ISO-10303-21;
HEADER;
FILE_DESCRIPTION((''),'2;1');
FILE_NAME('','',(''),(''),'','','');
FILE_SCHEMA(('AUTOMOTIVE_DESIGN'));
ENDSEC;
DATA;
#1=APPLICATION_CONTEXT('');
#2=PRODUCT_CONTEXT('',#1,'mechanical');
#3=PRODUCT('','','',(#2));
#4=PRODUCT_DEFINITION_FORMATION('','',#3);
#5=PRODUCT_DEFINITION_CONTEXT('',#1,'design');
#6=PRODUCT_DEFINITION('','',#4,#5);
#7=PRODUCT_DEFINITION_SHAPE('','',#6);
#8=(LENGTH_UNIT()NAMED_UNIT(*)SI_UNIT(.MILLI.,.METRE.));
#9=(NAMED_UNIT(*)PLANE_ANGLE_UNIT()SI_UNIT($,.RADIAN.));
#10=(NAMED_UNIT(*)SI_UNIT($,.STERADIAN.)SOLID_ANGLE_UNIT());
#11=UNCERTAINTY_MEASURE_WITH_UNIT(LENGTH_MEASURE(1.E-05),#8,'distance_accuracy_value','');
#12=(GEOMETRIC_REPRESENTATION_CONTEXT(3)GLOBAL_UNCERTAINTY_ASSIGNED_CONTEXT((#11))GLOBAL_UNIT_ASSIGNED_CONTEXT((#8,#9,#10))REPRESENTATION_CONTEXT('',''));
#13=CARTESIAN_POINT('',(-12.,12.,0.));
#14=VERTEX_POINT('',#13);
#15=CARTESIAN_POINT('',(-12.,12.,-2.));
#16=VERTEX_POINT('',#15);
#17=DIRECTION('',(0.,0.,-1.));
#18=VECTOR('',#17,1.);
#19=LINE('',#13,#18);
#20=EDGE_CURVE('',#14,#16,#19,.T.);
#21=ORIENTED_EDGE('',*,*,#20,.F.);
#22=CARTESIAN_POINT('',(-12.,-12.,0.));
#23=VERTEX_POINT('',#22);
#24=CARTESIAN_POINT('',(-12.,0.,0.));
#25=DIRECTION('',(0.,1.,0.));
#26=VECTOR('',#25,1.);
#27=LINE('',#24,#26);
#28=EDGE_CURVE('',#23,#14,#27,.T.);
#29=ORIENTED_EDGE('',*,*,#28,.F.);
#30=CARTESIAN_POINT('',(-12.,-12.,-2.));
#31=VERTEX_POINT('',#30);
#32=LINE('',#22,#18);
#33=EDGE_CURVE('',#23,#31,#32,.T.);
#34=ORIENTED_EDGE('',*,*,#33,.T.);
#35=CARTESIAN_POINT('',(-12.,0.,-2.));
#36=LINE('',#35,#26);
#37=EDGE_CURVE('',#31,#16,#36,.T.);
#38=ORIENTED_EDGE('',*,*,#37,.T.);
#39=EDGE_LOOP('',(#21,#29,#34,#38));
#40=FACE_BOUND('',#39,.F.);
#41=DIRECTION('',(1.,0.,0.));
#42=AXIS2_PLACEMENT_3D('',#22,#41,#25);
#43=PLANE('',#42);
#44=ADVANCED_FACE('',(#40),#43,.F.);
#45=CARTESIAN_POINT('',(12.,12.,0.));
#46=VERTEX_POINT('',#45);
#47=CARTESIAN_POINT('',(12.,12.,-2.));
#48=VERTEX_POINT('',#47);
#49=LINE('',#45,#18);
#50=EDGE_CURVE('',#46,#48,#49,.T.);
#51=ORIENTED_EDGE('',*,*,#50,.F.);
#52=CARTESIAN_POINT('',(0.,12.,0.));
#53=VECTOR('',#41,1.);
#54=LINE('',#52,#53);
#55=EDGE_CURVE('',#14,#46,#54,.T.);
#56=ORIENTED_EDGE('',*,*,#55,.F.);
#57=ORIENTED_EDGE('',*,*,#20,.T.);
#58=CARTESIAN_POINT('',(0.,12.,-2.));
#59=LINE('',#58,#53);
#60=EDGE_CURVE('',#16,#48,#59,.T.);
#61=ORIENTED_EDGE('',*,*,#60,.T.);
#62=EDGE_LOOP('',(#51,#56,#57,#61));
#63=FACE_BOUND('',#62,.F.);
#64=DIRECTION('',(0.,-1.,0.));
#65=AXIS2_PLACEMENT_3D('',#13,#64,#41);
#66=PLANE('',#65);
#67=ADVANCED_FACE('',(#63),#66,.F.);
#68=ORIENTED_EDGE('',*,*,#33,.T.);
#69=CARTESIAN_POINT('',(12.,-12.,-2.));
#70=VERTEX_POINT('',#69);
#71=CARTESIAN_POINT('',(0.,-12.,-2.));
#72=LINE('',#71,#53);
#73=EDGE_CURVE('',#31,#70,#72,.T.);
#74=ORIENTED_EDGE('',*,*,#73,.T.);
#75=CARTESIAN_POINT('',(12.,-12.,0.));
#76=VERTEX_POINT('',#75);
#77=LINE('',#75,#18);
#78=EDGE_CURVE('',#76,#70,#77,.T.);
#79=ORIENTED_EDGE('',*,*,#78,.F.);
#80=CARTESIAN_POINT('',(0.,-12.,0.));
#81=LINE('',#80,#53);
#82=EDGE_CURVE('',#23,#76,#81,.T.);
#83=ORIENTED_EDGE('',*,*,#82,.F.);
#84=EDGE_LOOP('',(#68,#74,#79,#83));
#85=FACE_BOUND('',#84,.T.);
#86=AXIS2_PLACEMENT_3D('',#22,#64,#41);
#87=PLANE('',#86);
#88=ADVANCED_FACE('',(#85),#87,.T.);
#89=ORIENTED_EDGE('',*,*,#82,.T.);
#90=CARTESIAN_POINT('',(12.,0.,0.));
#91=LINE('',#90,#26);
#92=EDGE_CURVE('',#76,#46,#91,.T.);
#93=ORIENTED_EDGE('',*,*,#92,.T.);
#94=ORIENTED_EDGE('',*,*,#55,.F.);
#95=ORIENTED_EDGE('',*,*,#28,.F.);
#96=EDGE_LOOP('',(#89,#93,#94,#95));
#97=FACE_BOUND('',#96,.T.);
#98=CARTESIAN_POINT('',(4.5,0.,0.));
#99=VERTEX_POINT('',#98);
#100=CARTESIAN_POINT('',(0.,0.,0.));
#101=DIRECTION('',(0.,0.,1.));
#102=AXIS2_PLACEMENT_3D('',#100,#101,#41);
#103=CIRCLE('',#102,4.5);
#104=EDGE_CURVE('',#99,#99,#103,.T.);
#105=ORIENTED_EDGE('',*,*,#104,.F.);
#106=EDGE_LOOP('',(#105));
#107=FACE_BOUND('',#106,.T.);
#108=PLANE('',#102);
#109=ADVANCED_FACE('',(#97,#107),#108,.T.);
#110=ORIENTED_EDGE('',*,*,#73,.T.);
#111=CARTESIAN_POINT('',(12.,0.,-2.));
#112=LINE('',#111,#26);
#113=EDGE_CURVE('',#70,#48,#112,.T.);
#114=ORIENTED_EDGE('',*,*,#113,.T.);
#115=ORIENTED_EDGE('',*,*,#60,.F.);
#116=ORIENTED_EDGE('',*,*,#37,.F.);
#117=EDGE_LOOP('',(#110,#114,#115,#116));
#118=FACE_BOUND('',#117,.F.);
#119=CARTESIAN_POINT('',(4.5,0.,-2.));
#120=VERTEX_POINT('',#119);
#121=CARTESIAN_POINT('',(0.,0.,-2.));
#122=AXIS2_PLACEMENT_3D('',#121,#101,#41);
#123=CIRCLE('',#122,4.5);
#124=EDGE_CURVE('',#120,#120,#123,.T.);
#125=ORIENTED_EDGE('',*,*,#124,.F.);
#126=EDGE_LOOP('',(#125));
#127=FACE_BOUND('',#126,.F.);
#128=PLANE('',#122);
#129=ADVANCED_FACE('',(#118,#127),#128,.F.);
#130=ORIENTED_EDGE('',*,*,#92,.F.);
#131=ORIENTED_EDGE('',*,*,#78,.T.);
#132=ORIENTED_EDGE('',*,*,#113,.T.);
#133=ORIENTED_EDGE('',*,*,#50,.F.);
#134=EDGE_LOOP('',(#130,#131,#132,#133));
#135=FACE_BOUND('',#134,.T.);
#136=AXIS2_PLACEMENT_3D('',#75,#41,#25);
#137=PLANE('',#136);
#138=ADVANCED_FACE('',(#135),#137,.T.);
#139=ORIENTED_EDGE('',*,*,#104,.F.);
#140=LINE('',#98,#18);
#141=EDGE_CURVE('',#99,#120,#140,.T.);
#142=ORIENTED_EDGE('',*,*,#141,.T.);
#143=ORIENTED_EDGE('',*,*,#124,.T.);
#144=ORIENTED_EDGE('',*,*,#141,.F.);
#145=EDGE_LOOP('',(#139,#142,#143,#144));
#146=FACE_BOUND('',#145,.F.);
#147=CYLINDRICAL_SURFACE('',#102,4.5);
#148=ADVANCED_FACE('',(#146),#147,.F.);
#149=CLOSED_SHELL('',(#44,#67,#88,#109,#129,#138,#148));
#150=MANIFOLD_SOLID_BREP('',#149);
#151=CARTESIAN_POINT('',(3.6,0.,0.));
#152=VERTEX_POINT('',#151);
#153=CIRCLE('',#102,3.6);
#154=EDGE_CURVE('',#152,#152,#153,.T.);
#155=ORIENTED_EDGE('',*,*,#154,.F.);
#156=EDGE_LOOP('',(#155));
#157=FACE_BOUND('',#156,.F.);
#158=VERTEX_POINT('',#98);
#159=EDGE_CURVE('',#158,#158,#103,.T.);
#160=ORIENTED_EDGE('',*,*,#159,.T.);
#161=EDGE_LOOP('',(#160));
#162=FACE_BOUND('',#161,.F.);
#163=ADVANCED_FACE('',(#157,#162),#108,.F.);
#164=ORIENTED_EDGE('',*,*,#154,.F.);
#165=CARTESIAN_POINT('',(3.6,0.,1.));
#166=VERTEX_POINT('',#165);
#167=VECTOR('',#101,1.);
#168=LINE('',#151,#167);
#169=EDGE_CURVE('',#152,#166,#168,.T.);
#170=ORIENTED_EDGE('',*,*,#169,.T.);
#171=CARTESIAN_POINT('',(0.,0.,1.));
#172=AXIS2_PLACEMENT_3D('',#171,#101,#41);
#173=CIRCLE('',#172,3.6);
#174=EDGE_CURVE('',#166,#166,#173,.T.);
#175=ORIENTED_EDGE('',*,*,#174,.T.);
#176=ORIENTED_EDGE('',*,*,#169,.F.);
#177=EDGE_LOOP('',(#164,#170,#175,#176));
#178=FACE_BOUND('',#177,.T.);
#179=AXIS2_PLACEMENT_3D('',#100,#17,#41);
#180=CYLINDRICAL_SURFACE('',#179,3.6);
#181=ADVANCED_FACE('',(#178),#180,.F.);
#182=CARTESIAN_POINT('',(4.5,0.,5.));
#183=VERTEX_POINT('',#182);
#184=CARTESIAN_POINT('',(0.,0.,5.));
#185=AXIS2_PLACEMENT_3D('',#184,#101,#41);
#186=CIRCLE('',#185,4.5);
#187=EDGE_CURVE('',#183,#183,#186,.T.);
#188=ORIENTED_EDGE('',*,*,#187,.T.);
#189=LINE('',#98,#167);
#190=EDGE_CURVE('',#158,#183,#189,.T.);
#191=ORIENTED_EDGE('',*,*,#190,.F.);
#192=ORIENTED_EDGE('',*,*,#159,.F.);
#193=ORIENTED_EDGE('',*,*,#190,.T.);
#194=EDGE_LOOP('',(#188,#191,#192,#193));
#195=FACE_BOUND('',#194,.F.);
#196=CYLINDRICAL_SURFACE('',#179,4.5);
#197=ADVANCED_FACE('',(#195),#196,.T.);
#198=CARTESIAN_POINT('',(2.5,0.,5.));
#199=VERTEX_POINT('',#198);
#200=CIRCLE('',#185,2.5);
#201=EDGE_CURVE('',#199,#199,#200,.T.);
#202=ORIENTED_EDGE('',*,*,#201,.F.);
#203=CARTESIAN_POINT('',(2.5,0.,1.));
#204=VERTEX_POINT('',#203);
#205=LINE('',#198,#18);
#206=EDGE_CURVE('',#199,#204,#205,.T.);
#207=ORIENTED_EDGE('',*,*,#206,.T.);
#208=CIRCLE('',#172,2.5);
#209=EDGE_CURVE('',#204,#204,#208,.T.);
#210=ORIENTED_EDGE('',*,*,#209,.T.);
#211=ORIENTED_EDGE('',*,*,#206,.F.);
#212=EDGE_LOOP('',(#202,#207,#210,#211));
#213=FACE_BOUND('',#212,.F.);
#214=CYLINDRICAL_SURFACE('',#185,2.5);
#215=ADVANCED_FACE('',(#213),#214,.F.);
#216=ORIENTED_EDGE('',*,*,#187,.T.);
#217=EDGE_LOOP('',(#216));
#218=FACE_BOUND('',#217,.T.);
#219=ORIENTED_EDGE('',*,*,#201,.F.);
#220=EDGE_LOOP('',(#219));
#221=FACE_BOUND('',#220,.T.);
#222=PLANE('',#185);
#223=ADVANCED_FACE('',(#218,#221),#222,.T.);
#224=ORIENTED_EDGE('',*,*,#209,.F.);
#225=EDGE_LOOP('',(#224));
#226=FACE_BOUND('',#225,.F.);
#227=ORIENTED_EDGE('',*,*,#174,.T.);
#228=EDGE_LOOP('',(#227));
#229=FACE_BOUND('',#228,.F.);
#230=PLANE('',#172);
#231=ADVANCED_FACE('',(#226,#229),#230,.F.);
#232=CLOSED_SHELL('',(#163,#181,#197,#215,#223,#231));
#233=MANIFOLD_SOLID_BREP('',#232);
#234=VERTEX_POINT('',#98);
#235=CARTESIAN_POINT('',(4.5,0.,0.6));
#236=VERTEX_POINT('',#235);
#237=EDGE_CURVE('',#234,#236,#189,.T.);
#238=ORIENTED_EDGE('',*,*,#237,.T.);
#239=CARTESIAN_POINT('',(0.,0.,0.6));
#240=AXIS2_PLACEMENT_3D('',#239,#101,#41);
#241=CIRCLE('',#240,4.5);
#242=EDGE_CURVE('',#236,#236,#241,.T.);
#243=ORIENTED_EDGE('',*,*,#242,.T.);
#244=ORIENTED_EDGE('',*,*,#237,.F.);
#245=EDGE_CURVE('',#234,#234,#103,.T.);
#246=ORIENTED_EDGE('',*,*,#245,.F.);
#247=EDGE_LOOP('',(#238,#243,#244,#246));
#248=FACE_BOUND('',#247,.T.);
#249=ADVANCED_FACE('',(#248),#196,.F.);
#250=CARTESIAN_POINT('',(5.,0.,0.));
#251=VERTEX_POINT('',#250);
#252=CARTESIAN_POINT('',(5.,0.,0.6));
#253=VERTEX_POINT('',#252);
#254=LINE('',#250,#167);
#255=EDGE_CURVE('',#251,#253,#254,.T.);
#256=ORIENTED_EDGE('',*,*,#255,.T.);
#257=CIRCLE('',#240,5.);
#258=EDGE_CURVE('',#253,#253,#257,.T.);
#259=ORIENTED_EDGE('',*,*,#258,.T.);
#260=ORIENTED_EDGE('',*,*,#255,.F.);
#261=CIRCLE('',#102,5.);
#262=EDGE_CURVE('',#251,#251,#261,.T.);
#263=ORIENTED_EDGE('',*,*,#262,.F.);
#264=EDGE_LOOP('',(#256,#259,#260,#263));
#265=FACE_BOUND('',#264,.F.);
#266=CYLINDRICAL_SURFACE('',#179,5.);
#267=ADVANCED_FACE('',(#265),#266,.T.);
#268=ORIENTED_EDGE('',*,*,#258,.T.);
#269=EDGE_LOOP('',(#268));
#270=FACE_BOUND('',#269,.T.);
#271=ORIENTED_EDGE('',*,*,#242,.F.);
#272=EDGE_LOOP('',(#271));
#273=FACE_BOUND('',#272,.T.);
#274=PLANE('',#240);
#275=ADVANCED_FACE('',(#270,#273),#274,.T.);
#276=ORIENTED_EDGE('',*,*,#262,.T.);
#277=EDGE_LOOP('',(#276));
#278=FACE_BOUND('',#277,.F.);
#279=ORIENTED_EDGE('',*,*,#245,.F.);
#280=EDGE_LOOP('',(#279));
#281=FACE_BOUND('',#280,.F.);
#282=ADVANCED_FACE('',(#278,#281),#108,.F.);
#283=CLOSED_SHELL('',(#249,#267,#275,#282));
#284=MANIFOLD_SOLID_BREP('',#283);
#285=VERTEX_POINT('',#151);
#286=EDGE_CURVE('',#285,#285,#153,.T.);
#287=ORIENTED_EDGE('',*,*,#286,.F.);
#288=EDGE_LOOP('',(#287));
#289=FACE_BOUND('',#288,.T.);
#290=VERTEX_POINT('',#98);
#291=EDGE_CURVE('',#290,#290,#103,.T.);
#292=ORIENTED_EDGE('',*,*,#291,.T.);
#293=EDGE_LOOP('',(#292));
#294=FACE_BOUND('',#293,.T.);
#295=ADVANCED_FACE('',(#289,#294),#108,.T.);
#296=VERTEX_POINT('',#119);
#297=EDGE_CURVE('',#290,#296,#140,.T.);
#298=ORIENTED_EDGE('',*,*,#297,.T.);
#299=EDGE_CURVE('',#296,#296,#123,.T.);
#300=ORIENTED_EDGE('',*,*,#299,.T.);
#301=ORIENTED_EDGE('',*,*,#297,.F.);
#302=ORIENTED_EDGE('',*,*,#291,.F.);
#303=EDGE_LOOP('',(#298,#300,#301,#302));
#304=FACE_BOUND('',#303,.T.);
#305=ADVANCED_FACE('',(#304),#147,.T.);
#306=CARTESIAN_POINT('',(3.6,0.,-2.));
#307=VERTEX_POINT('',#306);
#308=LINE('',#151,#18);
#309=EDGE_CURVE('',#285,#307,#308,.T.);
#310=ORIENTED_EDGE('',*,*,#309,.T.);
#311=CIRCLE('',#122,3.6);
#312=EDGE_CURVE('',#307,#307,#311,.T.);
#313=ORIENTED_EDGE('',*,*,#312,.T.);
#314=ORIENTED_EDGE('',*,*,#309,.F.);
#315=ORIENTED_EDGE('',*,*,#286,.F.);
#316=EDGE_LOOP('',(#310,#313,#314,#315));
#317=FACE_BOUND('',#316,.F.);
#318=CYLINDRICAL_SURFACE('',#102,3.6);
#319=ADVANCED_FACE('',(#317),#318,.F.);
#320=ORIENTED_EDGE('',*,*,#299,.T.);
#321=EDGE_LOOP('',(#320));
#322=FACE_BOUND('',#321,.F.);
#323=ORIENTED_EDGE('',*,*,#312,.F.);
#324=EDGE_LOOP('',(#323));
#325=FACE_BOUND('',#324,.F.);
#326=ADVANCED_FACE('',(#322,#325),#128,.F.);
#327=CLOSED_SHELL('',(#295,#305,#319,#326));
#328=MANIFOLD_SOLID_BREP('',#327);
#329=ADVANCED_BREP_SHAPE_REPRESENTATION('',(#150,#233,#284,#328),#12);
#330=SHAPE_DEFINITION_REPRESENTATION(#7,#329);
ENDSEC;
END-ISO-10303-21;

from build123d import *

# Parameters (mm, degrees)
F0_W     = 24
F0_H     = 24
F0_R     = 4.5
F1_DEPTH = 2
F0_R_2   = 3.6
F2_DEPTH = 5
F3_R     = 3.6
F3_R_2   = 2.5
F4_DEPTH = 4
F5_DEPTH = 2
F6_R     = 5
F6_R_2   = 4.5
F7_DEPTH = 0.6


with BuildPart() as f1:
    # F0 (on Top) → F1 (new body)
    with BuildSketch(Plane.XY):
        Rectangle(F0_W, F0_H)
        Circle(F0_R, mode=Mode.SUBTRACT)
    extrude(amount=-F1_DEPTH)


with BuildPart() as f2:
    # F0 (on Top) → F2 (new body)
    with BuildSketch(Plane.XY):
        Circle(F0_R)
        Circle(F0_R_2, mode=Mode.SUBTRACT)
    extrude(amount=F2_DEPTH)

    # F3 (on face) → F4 (join)
    with BuildSketch(Plane.XY.offset(5)):
        Circle(F3_R)
        Circle(F3_R_2, mode=Mode.SUBTRACT)
    extrude(amount=-F4_DEPTH)


with BuildPart() as f5:
    # F5 (new): a face of the model
    f5_faces = [f2.part.faces().sort_by_distance(p)[0] for p in [
        (-4.3727207794, 0, 0),
    ]]
    extrude(f5_faces, amount=F5_DEPTH)


with BuildPart() as f7:
    # F6 (on face) → F7 (new body)
    with BuildSketch(Plane.XY):
        Circle(F6_R)
        Circle(F6_R_2, mode=Mode.SUBTRACT)
    extrude(amount=F7_DEPTH)


solid = Compound([f1.part, f2.part, f5.part, f7.part])
